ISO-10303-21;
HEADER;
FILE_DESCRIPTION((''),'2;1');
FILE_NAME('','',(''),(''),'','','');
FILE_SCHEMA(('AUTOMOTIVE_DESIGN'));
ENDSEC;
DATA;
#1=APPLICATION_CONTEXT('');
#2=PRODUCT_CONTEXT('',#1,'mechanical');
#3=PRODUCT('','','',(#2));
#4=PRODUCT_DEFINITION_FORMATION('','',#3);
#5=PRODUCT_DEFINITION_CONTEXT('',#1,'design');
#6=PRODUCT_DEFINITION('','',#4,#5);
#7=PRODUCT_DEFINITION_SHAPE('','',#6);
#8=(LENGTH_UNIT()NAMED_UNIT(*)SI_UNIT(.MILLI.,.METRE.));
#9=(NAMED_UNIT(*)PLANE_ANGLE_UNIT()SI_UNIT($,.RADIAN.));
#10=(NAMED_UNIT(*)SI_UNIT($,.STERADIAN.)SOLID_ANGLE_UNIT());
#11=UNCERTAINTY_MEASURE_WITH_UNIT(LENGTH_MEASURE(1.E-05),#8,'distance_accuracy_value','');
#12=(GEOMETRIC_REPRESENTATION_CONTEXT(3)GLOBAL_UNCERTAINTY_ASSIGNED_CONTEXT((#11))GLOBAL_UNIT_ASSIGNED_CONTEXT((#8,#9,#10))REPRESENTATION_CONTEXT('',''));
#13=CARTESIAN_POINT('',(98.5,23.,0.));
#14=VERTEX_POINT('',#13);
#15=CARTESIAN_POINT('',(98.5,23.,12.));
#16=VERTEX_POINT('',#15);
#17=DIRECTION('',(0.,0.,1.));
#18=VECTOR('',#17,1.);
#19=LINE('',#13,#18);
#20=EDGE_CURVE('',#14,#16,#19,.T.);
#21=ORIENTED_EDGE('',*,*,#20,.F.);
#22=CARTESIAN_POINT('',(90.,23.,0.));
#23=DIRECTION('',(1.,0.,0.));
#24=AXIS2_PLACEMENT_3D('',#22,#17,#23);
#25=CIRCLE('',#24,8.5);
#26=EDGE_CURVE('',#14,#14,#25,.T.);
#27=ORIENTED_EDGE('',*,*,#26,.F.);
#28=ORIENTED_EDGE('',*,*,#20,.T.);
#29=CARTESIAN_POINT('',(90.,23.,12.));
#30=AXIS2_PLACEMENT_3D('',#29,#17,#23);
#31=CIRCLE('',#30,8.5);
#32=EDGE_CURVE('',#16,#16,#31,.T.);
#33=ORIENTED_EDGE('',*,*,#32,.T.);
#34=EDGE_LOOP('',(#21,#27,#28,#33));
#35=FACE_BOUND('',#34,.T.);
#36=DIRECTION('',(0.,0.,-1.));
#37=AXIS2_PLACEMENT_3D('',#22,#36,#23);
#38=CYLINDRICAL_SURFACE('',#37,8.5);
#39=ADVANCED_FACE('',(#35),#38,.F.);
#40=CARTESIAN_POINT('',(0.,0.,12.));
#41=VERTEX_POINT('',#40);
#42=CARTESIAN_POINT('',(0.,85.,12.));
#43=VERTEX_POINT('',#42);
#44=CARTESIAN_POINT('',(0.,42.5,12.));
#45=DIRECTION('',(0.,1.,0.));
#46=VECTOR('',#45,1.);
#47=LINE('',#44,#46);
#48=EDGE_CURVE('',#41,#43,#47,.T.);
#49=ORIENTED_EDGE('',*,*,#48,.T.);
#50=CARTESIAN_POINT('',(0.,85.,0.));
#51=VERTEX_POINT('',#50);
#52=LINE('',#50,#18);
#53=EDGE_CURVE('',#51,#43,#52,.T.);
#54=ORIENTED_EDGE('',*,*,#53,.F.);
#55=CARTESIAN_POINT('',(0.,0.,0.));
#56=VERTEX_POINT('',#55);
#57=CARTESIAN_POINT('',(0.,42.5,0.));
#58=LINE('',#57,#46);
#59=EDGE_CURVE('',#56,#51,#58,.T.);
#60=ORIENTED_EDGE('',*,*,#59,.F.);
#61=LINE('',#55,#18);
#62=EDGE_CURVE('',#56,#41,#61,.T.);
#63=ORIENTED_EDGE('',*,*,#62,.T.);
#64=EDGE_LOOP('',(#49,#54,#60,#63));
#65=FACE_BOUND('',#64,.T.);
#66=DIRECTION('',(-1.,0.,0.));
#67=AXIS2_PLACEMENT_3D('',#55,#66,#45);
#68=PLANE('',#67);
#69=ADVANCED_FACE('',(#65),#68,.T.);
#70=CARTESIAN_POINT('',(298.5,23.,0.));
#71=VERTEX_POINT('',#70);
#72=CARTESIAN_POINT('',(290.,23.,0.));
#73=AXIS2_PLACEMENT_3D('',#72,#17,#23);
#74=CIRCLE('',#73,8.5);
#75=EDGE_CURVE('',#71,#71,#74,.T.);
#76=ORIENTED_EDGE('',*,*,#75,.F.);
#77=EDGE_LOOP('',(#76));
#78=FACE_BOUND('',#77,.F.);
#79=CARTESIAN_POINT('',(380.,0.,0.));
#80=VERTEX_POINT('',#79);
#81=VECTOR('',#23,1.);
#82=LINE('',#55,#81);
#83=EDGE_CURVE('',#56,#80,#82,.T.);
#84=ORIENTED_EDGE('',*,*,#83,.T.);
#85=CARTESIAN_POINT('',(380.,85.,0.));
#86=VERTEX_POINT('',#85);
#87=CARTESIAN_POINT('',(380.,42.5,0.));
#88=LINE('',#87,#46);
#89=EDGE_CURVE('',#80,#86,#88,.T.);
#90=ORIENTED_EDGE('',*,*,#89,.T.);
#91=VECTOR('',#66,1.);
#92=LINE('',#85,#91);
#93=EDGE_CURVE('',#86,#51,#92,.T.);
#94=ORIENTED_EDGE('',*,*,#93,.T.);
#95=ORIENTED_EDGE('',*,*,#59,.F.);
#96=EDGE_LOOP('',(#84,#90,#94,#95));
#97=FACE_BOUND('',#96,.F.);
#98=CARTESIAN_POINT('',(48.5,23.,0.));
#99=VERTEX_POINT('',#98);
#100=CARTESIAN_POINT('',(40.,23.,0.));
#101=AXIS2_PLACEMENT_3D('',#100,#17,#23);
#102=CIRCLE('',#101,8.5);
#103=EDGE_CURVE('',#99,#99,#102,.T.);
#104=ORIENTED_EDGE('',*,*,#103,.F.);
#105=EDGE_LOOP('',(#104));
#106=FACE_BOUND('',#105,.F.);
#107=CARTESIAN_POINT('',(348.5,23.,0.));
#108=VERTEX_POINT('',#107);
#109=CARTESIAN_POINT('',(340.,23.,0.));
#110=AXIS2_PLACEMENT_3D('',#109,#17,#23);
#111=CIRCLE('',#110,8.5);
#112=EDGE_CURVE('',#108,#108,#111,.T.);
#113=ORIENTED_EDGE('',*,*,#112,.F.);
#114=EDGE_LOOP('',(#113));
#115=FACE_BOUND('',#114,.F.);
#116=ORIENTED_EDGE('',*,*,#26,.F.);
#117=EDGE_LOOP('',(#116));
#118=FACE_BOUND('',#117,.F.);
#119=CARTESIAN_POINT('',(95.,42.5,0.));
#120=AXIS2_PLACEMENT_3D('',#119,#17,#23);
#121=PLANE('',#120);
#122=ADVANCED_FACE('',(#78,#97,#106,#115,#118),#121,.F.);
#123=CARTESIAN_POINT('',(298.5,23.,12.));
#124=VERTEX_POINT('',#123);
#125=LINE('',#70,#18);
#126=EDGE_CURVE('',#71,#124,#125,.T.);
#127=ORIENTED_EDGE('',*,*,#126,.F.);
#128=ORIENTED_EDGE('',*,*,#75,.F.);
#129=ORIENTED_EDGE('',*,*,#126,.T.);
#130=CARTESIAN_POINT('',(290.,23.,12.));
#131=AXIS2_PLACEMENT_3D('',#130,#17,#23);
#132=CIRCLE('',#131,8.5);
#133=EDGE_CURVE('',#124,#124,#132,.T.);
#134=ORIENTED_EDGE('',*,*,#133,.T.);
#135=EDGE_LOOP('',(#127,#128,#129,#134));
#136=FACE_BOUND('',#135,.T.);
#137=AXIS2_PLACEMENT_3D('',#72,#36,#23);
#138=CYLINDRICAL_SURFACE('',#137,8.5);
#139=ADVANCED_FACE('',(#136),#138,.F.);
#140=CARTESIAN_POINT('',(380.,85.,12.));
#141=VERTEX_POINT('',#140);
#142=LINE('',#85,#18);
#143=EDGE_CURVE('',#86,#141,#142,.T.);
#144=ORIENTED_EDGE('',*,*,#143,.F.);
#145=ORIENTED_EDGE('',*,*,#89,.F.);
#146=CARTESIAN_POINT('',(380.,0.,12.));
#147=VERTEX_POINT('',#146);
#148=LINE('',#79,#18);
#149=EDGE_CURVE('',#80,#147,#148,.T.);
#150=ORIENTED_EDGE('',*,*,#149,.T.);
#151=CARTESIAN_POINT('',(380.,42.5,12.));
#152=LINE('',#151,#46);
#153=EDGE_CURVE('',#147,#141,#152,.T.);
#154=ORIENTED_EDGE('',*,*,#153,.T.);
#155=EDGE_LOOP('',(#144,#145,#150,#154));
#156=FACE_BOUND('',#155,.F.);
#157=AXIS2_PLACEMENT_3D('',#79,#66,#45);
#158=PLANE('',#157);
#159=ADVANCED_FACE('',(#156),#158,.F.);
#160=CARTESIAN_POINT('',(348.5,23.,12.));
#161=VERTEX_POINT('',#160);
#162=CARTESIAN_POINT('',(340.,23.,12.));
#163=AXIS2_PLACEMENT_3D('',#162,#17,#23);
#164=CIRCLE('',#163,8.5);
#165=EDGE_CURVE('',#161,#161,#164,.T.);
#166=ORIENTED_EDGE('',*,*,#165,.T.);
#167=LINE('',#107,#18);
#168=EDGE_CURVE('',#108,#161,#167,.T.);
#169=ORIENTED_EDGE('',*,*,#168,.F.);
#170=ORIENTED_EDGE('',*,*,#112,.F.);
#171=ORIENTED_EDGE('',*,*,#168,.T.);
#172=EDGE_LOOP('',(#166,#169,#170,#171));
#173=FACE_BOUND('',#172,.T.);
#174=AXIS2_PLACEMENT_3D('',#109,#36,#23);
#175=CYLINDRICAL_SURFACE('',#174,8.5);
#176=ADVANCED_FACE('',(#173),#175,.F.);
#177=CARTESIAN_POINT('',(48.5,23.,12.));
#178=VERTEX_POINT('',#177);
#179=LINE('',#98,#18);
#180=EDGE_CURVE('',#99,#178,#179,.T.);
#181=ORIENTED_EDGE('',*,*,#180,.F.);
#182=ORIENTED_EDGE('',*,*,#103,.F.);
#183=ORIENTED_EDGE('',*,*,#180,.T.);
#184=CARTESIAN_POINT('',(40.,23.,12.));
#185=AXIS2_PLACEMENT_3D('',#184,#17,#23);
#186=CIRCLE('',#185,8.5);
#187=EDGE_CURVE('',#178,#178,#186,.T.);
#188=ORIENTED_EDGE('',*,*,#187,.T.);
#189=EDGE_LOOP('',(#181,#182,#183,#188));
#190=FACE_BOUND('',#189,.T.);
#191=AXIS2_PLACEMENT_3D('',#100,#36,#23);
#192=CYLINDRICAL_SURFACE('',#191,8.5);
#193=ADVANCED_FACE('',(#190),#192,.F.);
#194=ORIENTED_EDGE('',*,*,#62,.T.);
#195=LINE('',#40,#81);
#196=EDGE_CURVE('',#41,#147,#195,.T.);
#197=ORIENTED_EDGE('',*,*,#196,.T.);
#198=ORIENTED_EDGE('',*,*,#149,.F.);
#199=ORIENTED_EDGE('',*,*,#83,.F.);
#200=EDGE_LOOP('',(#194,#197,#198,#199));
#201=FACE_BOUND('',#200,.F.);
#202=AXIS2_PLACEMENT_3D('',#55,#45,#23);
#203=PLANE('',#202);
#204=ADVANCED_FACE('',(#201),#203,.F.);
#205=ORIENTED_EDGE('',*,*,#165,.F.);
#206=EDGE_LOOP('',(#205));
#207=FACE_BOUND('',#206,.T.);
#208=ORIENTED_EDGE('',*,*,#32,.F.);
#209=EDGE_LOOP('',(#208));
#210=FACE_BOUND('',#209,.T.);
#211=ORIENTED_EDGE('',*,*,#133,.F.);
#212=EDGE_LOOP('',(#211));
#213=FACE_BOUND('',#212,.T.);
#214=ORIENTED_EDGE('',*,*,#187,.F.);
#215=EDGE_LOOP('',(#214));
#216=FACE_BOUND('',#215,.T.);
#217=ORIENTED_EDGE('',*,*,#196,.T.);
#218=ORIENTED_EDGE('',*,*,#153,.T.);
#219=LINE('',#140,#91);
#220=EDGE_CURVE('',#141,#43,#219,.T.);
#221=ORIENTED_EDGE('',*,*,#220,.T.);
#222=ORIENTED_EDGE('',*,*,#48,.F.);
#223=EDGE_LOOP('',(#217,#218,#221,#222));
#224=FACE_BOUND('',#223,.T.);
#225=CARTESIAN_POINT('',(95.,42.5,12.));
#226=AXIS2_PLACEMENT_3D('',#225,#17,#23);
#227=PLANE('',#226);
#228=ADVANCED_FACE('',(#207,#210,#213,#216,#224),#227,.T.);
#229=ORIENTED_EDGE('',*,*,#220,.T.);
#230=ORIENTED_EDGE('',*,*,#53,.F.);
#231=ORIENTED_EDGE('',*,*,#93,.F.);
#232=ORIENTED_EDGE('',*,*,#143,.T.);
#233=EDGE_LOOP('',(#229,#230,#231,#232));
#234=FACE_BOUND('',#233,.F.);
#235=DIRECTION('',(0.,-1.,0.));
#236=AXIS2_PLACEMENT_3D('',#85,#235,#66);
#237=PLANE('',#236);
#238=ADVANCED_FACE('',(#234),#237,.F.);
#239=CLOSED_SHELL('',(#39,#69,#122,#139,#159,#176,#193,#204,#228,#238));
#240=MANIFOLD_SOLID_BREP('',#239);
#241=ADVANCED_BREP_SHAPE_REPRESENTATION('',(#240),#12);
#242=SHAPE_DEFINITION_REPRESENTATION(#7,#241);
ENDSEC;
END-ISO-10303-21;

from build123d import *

# Parameters (mm, degrees)
F0_W     = 190
F0_H     = 85
F0_R     = 8.5
F1_DEPTH = 12


with BuildPart() as f1:
    # F0 (on Top) → F1 (new body)
    with BuildSketch(Plane.XY):
        with Locations((95, 42.5)):
            Rectangle(F0_W, F0_H)
        with Locations((40, 23)):
            Circle(F0_R, mode=Mode.SUBTRACT)
        with Locations((90, 23)):
            Circle(F0_R, mode=Mode.SUBTRACT)
        with Locations((285, 42.5)):
            Rectangle(F0_W, F0_H)
        with Locations((290, 23)):
            Circle(F0_R, mode=Mode.SUBTRACT)
        with Locations((340, 23)):
            Circle(F0_R, mode=Mode.SUBTRACT)
    extrude(amount=F1_DEPTH)


solid = f1.part
